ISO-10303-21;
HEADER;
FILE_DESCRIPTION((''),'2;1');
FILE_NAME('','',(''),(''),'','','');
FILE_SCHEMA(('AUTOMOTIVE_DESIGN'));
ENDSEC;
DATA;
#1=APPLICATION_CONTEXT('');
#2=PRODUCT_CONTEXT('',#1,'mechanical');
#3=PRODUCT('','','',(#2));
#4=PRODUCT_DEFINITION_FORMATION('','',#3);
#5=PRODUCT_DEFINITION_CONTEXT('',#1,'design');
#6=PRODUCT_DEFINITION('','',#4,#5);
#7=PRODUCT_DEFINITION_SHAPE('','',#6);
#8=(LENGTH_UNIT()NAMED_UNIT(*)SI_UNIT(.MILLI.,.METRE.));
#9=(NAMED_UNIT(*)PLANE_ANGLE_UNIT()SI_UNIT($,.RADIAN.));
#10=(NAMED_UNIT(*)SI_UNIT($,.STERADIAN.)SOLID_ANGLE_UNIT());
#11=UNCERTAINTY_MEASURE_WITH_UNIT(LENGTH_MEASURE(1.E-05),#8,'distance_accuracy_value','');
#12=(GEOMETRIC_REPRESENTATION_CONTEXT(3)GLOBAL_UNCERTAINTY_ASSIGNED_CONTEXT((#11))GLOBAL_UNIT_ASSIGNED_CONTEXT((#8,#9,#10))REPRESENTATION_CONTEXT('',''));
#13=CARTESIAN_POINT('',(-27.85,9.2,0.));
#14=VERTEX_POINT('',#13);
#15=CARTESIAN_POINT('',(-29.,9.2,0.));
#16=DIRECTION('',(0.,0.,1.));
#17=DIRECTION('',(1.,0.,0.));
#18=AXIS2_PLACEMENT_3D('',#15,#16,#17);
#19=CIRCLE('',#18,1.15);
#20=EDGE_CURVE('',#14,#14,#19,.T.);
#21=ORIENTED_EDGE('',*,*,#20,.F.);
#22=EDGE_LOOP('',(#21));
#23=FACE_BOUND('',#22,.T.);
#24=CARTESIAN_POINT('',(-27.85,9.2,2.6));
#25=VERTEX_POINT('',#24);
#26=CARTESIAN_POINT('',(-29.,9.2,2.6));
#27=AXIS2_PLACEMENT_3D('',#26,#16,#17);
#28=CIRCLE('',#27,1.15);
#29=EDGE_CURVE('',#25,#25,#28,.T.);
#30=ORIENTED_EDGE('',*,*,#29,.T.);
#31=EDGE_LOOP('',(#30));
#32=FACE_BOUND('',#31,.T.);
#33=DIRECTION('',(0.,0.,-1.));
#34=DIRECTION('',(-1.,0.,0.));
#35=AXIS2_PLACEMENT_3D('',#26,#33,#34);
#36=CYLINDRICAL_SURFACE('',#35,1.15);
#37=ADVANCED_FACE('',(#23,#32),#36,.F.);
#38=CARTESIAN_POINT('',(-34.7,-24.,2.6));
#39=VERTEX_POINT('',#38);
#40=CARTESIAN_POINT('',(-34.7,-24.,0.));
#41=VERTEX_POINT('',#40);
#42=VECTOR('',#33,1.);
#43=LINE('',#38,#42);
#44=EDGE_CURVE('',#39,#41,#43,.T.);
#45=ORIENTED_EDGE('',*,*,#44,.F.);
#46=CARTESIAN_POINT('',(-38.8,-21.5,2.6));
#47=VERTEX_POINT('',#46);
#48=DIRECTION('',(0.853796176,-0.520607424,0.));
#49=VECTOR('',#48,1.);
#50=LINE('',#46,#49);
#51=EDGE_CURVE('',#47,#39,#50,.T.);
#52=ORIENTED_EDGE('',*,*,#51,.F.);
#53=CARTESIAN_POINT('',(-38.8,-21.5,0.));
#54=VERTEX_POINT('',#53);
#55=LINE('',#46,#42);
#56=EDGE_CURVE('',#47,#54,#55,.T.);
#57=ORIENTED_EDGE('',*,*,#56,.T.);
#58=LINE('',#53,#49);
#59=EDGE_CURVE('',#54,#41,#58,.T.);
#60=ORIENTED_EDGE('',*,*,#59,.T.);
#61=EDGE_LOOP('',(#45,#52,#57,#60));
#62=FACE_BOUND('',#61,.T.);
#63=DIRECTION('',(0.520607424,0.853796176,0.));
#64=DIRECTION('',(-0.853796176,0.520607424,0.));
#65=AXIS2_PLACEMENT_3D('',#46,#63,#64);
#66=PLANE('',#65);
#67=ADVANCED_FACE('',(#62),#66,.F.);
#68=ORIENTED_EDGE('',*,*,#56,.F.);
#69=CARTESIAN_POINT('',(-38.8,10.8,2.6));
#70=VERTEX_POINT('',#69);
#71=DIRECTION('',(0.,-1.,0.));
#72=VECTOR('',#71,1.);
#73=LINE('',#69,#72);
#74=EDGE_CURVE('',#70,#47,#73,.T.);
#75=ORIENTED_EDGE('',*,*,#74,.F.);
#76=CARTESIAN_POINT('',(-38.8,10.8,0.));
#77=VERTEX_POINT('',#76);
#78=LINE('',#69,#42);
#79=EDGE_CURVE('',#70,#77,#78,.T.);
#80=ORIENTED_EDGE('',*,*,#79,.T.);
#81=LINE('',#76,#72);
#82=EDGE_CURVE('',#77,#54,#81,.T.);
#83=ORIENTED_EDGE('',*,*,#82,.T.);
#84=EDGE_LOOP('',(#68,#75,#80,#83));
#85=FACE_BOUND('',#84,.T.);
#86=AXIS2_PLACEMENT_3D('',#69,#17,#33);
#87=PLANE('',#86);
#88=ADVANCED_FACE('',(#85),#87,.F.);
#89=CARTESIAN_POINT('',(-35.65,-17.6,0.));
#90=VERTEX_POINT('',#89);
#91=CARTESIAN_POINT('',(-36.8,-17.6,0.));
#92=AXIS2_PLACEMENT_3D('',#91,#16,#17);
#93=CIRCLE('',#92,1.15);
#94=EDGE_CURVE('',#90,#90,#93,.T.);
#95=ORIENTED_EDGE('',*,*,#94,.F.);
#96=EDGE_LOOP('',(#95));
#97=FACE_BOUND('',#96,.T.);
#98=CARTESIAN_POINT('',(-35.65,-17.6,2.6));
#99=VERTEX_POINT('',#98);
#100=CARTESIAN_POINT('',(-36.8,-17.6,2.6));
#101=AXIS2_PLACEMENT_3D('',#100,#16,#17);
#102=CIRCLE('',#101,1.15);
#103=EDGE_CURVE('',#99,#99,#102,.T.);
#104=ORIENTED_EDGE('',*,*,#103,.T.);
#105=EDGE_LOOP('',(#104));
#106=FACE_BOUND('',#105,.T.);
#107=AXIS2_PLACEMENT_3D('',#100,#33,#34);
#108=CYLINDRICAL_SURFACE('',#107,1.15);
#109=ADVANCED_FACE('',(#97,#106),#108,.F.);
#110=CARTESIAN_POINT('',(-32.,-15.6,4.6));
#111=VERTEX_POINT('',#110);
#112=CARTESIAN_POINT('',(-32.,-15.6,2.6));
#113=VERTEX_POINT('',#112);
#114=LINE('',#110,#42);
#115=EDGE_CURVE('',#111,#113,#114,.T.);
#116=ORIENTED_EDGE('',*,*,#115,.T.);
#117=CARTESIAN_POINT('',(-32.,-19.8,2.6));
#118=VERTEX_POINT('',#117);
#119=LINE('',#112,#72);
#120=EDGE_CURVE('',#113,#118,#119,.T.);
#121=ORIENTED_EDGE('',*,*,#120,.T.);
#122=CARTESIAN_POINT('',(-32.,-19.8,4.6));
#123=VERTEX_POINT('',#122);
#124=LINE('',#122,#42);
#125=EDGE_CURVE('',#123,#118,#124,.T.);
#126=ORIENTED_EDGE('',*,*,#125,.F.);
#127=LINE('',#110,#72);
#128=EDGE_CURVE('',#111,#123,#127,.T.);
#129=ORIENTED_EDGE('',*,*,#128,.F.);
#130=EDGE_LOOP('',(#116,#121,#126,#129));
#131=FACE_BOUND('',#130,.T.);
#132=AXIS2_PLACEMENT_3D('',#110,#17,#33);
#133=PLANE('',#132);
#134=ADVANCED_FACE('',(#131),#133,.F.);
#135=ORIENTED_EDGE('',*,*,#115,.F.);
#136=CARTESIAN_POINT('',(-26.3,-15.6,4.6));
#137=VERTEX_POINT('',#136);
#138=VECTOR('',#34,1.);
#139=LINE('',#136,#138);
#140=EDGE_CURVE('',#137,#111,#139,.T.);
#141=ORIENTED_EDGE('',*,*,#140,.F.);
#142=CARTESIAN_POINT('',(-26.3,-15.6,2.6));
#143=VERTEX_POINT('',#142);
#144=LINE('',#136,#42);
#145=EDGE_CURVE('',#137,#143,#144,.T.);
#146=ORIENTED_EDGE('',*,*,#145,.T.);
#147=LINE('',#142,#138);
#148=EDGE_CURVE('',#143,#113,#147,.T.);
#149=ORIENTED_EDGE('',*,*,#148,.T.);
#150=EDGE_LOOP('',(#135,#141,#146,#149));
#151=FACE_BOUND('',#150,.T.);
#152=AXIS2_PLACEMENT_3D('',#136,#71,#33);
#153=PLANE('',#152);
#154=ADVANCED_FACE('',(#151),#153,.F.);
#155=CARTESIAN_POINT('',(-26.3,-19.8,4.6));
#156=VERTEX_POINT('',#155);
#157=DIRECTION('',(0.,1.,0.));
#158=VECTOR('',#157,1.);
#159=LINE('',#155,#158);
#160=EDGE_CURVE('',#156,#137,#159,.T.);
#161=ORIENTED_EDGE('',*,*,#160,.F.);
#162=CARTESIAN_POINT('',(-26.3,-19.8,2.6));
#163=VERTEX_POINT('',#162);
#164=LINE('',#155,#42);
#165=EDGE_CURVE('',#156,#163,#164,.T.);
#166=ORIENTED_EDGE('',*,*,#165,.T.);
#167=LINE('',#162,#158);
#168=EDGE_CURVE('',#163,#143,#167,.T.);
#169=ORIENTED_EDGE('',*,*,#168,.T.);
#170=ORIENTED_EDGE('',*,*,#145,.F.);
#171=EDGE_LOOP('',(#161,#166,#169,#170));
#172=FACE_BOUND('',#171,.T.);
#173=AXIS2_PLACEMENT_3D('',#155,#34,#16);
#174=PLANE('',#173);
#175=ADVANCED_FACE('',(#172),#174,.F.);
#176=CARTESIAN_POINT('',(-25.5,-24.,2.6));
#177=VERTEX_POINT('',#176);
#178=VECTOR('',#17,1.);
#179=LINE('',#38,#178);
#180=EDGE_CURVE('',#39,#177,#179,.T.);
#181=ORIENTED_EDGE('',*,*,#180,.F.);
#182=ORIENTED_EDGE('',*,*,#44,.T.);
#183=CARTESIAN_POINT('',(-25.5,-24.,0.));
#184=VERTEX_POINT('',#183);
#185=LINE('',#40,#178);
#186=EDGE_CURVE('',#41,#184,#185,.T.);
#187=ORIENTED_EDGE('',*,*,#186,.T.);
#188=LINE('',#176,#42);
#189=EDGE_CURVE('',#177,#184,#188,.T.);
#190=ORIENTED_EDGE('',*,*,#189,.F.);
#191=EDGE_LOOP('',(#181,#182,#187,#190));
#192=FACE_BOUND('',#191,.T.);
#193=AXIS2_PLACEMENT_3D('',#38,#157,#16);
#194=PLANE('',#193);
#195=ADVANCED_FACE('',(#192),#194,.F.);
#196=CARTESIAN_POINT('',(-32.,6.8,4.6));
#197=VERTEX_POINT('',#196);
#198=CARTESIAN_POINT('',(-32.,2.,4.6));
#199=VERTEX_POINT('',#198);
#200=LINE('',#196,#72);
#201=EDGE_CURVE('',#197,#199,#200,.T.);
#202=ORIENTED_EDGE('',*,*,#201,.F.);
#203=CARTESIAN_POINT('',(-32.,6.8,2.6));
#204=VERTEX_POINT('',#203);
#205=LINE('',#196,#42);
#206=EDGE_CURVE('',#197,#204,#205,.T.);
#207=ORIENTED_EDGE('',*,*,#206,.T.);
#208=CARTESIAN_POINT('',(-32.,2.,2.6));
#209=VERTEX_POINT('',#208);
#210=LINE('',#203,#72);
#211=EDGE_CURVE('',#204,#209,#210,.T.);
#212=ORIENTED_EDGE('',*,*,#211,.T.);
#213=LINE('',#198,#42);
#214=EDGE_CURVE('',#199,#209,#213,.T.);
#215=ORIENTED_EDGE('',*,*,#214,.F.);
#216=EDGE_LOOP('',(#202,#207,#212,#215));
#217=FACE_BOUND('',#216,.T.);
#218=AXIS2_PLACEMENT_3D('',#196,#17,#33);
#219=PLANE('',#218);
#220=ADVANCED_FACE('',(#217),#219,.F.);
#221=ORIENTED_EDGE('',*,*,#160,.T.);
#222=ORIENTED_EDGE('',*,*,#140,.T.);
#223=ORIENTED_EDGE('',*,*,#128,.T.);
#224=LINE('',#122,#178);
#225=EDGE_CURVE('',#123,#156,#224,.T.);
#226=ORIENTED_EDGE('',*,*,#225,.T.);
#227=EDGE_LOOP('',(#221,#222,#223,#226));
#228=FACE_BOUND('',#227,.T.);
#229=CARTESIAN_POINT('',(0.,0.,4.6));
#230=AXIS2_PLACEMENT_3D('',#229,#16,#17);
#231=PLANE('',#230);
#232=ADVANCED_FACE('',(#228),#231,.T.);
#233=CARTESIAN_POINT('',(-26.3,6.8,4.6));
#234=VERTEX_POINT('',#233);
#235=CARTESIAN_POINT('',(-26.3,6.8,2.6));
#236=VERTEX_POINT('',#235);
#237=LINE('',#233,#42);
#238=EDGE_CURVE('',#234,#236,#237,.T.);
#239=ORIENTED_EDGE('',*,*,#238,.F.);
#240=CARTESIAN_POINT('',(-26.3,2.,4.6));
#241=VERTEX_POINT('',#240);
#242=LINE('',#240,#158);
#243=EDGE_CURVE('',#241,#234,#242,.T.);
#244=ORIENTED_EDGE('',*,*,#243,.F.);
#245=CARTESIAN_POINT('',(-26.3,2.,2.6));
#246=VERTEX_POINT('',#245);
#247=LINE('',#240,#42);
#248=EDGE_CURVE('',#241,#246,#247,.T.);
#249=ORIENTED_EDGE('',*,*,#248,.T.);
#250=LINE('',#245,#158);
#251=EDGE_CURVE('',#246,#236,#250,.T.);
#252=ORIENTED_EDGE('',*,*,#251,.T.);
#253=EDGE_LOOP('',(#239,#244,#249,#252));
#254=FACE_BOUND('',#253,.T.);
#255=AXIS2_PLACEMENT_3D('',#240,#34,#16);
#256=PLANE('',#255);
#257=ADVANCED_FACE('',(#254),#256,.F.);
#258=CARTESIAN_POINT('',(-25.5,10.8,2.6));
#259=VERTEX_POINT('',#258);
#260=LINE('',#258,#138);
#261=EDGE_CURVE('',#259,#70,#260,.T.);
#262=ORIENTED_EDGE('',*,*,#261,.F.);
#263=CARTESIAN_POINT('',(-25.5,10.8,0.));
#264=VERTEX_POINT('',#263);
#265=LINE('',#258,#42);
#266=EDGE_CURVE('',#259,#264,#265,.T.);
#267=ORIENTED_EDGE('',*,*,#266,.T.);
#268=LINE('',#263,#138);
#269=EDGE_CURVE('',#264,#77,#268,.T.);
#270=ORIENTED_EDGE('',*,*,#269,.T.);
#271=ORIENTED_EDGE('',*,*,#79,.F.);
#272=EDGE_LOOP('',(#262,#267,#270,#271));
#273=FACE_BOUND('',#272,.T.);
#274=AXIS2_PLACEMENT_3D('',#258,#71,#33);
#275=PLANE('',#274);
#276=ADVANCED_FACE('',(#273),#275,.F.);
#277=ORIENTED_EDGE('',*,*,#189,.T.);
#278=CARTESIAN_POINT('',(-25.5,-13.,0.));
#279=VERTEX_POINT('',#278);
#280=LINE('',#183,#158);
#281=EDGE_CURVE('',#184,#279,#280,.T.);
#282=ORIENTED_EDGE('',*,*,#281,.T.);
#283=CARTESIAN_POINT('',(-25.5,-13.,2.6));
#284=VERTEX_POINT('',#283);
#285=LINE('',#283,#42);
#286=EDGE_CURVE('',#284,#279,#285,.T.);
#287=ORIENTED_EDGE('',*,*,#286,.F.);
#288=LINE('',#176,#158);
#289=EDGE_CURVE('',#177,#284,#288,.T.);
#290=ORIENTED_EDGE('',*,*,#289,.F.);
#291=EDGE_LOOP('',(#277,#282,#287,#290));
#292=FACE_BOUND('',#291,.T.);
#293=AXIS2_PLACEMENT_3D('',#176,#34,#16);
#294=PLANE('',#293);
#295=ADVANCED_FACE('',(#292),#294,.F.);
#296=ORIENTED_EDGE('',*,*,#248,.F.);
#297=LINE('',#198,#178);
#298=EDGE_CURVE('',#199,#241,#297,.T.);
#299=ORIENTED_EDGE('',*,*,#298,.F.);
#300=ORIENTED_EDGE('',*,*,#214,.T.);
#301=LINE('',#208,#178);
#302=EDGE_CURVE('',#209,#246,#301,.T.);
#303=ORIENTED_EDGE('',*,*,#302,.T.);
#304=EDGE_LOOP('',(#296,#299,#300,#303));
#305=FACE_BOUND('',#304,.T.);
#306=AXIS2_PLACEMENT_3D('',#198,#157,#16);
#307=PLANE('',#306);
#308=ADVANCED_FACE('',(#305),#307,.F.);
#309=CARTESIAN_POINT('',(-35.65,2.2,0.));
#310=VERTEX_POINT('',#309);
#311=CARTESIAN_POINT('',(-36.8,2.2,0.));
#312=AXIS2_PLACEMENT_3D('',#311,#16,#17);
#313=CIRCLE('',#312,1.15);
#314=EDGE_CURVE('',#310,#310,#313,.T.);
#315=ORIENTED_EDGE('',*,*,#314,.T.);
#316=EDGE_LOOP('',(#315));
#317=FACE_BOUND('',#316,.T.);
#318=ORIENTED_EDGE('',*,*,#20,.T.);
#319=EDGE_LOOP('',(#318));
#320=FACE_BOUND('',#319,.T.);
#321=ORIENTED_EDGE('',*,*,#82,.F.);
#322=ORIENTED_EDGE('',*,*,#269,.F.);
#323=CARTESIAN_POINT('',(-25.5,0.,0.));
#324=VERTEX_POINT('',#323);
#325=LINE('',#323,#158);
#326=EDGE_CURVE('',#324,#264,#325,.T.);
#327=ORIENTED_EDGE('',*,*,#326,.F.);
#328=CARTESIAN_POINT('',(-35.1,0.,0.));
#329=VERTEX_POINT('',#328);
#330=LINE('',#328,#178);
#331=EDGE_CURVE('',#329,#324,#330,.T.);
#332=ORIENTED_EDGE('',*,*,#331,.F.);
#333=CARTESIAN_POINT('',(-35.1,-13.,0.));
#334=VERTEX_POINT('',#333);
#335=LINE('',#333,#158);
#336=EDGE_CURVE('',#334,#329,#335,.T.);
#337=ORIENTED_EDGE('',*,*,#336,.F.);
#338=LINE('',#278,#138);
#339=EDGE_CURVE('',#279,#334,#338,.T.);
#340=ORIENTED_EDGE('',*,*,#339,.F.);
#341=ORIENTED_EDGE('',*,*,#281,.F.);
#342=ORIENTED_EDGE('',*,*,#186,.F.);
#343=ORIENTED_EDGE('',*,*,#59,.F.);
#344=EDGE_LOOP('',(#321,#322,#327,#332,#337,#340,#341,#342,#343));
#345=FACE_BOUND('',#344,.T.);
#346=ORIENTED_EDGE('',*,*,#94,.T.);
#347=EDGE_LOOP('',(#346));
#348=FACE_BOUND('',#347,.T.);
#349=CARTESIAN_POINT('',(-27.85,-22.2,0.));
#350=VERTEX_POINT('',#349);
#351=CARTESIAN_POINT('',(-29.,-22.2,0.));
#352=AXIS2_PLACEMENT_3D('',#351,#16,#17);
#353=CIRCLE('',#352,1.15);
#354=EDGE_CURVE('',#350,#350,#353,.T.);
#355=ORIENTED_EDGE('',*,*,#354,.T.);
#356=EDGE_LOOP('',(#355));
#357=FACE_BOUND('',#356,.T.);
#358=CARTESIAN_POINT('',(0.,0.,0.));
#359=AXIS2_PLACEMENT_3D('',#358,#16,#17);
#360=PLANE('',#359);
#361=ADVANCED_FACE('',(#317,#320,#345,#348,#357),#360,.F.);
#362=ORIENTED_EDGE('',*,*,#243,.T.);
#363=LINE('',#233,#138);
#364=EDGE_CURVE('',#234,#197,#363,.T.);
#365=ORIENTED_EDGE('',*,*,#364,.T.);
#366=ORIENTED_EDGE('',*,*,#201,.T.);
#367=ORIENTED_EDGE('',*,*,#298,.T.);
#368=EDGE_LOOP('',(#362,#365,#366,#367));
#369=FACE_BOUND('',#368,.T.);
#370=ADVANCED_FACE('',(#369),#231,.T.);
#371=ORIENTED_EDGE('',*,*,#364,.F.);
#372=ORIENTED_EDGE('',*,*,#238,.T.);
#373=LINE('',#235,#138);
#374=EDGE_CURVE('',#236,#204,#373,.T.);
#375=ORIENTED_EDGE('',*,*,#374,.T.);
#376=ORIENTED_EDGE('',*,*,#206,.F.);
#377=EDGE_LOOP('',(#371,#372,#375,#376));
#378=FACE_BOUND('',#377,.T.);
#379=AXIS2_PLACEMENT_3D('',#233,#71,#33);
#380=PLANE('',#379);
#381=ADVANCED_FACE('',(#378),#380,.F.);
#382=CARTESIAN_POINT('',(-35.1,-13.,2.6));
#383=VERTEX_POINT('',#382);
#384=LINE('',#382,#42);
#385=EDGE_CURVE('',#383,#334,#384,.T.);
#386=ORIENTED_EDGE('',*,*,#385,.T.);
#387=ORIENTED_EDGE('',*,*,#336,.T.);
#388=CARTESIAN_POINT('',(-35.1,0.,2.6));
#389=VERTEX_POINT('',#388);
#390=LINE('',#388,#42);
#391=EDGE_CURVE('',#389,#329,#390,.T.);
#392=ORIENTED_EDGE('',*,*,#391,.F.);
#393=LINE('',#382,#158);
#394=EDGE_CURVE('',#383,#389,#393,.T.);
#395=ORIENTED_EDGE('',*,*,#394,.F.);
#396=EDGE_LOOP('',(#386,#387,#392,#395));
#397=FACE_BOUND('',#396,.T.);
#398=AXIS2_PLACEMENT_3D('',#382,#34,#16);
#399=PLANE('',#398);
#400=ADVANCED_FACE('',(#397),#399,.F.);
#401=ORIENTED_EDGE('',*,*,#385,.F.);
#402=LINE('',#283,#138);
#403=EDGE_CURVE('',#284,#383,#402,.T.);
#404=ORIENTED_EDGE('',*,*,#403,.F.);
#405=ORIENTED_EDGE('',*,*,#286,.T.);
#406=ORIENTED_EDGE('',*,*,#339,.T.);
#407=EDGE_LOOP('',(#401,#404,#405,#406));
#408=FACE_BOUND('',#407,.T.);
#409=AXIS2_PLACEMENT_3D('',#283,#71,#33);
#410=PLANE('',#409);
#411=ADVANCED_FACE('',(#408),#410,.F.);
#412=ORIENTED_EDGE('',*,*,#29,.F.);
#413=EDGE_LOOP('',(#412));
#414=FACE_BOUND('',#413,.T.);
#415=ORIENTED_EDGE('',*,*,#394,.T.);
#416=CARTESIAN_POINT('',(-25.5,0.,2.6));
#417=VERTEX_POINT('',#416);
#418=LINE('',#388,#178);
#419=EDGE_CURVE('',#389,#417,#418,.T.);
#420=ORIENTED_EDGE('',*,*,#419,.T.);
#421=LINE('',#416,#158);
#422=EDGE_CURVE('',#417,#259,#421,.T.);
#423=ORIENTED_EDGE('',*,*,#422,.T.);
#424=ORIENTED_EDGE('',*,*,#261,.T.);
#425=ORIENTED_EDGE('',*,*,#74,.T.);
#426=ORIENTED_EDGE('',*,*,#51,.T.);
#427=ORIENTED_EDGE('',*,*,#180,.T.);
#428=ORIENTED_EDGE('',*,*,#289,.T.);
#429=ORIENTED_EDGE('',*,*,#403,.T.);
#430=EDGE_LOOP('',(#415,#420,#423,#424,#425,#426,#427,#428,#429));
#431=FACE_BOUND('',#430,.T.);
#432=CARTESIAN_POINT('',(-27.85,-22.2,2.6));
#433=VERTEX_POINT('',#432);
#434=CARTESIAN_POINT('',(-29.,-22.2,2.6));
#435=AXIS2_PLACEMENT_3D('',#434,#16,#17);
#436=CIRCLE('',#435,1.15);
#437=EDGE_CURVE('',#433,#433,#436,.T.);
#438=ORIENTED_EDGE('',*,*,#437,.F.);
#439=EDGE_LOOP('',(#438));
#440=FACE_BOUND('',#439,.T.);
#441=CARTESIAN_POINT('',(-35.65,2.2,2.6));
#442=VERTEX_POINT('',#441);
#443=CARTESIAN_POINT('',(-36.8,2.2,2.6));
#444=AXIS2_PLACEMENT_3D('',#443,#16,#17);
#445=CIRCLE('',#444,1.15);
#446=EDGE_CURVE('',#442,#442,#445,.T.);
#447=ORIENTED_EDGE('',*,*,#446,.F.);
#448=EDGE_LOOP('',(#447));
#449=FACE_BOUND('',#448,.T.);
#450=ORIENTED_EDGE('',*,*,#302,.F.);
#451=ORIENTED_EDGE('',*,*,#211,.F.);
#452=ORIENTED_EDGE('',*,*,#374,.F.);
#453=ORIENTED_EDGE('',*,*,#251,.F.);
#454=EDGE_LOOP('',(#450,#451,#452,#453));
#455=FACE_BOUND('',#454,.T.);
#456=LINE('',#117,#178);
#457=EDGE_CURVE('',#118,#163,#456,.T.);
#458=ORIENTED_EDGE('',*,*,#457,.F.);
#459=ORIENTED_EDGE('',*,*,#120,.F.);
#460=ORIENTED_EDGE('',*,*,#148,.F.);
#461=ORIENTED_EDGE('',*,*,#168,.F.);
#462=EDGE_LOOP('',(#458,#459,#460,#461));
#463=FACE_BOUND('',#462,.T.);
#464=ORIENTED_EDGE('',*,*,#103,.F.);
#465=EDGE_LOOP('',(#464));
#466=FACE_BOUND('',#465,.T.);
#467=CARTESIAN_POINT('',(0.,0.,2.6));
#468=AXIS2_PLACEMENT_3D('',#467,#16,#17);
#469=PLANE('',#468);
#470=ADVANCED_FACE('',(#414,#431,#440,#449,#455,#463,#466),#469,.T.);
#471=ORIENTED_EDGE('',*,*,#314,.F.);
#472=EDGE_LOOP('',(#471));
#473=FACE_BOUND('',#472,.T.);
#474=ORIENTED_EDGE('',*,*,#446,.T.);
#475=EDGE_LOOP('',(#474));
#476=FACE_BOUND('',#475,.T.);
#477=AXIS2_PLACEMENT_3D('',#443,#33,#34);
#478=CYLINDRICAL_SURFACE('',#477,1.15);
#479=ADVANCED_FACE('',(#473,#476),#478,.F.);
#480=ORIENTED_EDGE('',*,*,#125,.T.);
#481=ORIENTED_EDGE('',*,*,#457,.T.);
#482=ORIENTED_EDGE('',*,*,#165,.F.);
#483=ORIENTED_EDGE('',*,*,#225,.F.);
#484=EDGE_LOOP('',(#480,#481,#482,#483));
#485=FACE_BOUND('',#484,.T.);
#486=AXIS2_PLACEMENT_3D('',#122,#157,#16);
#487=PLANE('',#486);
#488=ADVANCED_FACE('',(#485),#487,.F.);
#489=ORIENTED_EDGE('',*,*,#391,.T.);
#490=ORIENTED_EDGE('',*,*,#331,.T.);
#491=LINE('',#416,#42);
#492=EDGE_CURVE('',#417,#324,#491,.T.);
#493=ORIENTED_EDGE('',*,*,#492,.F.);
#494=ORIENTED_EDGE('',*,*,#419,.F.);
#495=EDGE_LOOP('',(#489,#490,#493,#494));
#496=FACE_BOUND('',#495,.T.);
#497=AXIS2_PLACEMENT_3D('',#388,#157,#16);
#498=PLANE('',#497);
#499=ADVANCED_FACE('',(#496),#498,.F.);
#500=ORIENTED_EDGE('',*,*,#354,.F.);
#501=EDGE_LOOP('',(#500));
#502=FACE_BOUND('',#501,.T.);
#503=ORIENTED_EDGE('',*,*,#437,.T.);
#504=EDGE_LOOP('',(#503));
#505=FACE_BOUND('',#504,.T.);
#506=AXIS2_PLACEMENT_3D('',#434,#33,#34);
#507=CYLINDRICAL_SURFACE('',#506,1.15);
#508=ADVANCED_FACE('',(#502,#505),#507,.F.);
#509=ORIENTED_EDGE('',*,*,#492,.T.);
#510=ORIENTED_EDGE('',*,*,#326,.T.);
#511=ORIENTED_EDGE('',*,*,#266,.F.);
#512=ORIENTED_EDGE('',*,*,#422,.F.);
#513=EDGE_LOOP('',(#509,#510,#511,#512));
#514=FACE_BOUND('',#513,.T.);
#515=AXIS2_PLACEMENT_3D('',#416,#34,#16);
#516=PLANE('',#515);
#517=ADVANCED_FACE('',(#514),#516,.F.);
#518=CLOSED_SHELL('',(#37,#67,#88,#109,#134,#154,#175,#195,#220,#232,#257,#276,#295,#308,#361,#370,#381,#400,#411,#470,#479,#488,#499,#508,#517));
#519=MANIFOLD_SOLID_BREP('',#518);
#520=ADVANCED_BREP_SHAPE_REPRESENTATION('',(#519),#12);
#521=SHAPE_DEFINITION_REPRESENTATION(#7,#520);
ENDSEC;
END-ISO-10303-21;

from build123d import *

# Parameters (mm, degrees)
USB_END_CROSSBAR_WITH_OPEN_CONNECTOR_2_R       = 1.15
USB_END_CROSSBAR_WITH_OPEN_CONNECTOR_REL_DEPTH = 2.6
TWO_START                                      = 2.6
TWO_PCB_RESTS_BESIDE_TYPE_C_NO_SUPP_2_W        = 5.7
TWO_PCB_RESTS_BESIDE_TYPE_C_NO_SUPP_2_H        = 4.2
TWO_PCB_RESTS_BESIDE_TYPE_C_NO_SUPP_2_H_2      = 4.8
TWO_PCB_RESTS_BESIDE_TYPE_C_NO_SUPPORT_DEPTH   = 2


with BuildPart() as part:
    # USB end crossbar with open connector 2 → USB end crossbar with open connector rel (new body)
    with BuildSketch(Plane.XY):
        Polygon((-38.8, -21.5), (-34.7, -24), (-25.5, -24), (-25.5, -13), (-35.1, -13), (-35.1, 0), (-25.5, 0), (-25.5, 10.8), (-38.8, 10.8), align=None)
        with Locations((-36.8, -17.6)):
            Circle(USB_END_CROSSBAR_WITH_OPEN_CONNECTOR_2_R, mode=Mode.SUBTRACT)
        with Locations((-36.8, 2.2)):
            Circle(USB_END_CROSSBAR_WITH_OPEN_CONNECTOR_2_R, mode=Mode.SUBTRACT)
        with Locations((-29, -22.2)):
            Circle(USB_END_CROSSBAR_WITH_OPEN_CONNECTOR_2_R, mode=Mode.SUBTRACT)
        with Locations((-29, 9.2)):
            Circle(USB_END_CROSSBAR_WITH_OPEN_CONNECTOR_2_R, mode=Mode.SUBTRACT)
    extrude(amount=USB_END_CROSSBAR_WITH_OPEN_CONNECTOR_REL_DEPTH)

    # Two PCB rests beside Type-C_ no supp 2 → Two PCB rests beside Type-C_ no support (add)
    with BuildSketch(Plane.XY.offset(TWO_START)):
        with Locations((-29.15, -17.7)):
            Rectangle(TWO_PCB_RESTS_BESIDE_TYPE_C_NO_SUPP_2_W, TWO_PCB_RESTS_BESIDE_TYPE_C_NO_SUPP_2_H)
        with Locations((-29.15, 4.4)):
            Rectangle(TWO_PCB_RESTS_BESIDE_TYPE_C_NO_SUPP_2_W, TWO_PCB_RESTS_BESIDE_TYPE_C_NO_SUPP_2_H_2)
    extrude(amount=TWO_PCB_RESTS_BESIDE_TYPE_C_NO_SUPPORT_DEPTH)


solid = part.part
